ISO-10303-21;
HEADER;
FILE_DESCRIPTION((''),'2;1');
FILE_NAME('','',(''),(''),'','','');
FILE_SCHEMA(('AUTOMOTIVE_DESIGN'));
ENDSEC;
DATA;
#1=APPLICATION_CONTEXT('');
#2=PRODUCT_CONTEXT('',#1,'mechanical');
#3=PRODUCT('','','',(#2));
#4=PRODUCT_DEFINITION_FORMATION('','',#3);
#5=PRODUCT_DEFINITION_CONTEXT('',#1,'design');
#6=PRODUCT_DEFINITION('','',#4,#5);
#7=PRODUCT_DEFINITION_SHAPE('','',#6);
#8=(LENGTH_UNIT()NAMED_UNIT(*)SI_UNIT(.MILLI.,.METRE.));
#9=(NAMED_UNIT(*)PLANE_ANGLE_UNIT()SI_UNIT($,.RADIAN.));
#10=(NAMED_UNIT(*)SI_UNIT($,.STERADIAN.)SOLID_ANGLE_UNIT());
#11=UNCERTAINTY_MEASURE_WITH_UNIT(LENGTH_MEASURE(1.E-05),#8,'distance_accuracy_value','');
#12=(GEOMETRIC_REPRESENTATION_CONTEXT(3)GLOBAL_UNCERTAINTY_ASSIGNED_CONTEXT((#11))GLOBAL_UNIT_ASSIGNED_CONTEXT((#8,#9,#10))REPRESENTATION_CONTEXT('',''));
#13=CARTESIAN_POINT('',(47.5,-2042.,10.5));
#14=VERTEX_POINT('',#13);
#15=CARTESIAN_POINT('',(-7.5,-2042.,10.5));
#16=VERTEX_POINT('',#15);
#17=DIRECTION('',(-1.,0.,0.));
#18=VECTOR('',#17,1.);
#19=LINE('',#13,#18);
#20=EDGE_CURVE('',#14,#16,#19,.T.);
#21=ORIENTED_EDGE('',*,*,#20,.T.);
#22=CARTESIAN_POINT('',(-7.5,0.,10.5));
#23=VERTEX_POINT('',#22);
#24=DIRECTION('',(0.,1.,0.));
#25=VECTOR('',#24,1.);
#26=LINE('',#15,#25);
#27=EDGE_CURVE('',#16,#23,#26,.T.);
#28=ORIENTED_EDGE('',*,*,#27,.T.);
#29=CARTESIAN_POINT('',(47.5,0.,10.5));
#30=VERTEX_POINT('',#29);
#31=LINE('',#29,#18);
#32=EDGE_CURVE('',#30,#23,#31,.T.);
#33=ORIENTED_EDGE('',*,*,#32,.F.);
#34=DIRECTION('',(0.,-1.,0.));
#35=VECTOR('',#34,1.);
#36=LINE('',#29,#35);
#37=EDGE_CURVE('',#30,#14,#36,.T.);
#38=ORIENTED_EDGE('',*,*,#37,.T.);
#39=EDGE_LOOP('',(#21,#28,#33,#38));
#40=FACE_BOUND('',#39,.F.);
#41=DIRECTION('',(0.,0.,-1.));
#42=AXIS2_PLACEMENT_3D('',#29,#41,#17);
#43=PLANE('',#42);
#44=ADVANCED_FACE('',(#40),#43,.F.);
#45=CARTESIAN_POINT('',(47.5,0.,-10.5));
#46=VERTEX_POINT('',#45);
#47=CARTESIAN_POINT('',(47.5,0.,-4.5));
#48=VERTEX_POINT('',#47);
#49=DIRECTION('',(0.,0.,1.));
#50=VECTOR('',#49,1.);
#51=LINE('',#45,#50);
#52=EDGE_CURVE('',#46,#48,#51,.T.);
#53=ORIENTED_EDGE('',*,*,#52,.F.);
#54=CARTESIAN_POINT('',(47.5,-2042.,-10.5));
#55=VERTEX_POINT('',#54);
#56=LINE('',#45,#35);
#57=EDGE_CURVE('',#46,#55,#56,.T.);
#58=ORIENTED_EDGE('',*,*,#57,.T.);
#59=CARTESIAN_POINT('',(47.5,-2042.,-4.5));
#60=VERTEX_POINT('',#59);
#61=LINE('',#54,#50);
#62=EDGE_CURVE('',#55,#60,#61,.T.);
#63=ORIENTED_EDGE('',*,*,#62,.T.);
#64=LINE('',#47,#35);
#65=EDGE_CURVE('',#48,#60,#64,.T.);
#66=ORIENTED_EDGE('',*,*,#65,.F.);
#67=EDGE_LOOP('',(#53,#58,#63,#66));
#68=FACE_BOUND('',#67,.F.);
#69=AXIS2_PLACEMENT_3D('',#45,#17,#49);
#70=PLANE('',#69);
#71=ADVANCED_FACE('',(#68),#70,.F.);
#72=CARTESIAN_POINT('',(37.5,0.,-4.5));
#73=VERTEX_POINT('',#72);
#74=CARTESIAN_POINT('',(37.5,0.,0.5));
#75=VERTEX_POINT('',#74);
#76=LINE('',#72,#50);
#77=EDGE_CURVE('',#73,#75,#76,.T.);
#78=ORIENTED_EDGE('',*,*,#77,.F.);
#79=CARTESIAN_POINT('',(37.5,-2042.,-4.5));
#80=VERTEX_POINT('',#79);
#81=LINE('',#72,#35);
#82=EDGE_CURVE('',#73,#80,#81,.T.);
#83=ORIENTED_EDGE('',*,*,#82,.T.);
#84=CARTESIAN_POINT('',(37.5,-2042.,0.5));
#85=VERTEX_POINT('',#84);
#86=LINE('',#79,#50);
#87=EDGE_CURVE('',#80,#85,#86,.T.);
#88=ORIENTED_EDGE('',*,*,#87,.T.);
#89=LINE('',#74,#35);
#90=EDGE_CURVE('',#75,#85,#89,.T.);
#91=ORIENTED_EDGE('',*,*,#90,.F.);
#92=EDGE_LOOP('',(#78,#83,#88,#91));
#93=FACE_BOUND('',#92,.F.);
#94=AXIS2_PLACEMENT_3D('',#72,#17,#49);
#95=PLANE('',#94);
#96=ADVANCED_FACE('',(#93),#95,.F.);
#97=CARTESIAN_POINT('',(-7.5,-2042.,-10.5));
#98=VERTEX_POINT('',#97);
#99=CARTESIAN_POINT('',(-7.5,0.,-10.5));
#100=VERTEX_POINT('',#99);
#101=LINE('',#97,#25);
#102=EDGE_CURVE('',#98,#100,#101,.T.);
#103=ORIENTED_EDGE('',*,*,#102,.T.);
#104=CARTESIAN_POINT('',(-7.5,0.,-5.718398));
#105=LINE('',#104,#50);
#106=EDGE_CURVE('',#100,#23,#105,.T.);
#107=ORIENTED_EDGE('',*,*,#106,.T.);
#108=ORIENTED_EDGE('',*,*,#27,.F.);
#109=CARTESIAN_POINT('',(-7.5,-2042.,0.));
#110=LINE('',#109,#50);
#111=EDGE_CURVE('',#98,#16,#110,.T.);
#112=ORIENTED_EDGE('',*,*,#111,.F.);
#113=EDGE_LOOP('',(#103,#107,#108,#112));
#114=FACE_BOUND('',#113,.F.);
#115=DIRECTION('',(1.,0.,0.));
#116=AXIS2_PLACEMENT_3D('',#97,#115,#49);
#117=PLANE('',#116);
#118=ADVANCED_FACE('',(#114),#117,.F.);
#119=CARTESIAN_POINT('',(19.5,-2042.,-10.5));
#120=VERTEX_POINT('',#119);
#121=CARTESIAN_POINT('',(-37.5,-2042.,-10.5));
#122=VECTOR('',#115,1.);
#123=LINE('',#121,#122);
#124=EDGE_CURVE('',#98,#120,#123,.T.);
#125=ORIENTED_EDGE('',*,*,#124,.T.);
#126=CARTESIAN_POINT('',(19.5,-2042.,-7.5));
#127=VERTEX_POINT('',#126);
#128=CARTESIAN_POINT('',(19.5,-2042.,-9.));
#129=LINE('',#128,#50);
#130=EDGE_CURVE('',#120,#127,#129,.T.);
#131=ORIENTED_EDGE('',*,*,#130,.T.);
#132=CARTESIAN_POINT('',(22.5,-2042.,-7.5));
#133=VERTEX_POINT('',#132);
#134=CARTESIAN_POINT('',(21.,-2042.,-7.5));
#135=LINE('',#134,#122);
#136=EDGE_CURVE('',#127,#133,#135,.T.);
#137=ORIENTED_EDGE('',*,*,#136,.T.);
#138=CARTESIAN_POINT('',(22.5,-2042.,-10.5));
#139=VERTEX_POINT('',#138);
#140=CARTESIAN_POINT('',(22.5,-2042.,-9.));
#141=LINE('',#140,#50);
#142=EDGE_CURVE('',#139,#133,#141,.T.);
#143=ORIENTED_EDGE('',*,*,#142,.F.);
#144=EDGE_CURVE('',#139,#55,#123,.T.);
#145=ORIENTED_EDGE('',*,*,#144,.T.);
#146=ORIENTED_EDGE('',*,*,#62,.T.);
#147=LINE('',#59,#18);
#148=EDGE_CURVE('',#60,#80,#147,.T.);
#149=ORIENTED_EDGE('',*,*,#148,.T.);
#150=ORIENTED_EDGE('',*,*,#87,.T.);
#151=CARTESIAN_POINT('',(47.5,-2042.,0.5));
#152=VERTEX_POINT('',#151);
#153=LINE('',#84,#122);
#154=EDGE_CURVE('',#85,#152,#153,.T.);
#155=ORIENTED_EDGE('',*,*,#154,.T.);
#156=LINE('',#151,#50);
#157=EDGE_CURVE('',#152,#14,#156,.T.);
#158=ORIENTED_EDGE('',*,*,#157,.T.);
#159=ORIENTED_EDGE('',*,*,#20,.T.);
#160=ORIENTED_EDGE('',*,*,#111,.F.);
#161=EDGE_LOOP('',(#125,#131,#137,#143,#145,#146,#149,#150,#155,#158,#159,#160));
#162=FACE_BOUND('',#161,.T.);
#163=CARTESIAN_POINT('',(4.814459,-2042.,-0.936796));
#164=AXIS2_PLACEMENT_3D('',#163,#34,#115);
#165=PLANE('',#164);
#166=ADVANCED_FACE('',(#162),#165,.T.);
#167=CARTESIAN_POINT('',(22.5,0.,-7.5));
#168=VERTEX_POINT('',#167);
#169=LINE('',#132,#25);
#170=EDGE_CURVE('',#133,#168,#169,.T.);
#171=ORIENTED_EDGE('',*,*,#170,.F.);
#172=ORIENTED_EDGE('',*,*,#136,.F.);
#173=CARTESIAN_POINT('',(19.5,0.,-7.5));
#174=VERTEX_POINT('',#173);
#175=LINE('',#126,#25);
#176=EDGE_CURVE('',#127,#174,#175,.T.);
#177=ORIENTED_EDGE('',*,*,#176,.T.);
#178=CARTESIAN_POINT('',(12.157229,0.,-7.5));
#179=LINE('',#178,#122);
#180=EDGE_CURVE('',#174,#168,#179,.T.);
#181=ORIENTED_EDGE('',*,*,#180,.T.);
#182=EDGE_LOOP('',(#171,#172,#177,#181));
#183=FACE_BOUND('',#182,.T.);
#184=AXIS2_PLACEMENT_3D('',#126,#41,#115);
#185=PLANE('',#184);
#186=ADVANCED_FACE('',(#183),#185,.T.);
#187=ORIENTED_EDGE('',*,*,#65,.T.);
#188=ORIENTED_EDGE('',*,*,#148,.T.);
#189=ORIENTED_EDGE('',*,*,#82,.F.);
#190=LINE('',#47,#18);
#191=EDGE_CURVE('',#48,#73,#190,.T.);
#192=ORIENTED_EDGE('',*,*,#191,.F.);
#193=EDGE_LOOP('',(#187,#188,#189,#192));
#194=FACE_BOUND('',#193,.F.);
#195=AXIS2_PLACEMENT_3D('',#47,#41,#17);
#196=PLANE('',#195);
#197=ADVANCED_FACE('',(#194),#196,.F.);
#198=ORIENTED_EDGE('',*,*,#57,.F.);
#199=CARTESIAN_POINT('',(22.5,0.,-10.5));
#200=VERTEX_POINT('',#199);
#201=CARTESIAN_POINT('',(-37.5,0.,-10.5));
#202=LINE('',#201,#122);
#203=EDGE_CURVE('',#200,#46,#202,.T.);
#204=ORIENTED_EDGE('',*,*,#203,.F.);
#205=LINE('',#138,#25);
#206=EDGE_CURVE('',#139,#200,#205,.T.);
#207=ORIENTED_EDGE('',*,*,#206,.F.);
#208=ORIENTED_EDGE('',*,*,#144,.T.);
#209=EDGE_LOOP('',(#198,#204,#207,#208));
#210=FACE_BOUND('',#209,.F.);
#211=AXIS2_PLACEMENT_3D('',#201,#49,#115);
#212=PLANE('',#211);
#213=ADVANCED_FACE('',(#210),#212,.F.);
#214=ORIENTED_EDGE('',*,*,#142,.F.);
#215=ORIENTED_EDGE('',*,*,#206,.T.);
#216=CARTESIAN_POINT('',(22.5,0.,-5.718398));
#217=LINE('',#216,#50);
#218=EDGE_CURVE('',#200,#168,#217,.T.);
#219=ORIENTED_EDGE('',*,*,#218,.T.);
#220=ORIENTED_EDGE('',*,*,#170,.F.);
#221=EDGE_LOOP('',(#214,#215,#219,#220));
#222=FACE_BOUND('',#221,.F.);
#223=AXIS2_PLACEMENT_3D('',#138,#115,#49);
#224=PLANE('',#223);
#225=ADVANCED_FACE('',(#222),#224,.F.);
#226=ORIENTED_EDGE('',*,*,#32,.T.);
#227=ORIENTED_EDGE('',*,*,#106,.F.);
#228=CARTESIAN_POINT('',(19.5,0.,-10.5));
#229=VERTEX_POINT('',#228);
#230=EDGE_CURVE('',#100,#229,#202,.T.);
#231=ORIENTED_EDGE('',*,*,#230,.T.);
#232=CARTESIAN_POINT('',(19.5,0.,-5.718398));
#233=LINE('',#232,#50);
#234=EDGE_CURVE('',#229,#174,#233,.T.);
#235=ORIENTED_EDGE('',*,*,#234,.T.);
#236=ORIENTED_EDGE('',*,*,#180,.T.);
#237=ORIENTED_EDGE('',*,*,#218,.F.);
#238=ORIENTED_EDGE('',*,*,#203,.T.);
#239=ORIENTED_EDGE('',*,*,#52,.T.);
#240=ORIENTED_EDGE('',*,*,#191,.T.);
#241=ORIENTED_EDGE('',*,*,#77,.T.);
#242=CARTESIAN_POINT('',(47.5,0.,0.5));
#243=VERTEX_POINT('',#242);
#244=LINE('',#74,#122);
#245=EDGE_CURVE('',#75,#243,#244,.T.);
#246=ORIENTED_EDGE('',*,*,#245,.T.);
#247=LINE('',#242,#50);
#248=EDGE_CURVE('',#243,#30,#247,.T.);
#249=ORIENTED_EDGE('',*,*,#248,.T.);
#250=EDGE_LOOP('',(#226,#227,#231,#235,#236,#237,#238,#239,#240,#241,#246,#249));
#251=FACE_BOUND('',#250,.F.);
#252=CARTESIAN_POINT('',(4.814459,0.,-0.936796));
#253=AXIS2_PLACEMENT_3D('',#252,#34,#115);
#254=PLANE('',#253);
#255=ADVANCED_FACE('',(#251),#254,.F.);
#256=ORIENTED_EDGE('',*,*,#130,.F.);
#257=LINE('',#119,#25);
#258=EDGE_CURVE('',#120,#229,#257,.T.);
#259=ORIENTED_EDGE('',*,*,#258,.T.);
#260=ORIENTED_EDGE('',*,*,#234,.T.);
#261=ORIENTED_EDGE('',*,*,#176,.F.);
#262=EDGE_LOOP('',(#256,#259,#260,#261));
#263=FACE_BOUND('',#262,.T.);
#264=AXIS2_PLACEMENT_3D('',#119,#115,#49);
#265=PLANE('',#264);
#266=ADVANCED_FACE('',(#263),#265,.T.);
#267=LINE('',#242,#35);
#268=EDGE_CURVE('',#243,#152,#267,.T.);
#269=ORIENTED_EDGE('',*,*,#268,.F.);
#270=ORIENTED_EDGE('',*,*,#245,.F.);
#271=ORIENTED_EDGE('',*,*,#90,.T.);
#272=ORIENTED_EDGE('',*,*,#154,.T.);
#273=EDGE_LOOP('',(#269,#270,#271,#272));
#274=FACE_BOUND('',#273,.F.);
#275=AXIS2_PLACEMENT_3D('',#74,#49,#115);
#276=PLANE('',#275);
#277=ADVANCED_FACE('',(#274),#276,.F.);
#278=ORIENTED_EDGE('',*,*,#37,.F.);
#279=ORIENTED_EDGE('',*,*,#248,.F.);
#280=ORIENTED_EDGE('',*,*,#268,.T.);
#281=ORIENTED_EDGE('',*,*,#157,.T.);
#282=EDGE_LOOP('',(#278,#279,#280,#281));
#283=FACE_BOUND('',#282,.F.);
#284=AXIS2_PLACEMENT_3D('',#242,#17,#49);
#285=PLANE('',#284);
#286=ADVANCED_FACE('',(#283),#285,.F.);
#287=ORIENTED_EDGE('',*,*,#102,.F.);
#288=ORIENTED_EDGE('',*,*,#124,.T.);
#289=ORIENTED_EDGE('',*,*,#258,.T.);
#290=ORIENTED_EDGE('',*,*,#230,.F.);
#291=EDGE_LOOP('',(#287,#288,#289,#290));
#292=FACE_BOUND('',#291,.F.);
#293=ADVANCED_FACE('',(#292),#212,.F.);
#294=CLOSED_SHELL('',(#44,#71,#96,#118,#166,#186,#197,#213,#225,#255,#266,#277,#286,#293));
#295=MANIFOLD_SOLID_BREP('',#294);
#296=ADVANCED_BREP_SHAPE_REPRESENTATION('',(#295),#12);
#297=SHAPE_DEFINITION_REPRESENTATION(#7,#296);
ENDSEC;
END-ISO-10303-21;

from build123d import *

# Parameters (mm, degrees)
F1_DEPTH = 2042
F2_W     = 3
F2_H     = 3
F2_W_2   = 40
F2_H_2   = 21
F3_DEPTH = 2042.001


with BuildPart() as f1:
    # F0 (on Front) → F1 (new body)
    with BuildSketch(Plane.XZ):
        Polygon((47.5, 10.5), (-21.726497, 10.5), (-27.5, 0.5), (-47.5, 0.5), (-47.5, -4.5), (-37.5, -4.5), (-37.5, -10.5), (47.5, -10.5), (47.5, -4.5), (37.5, -4.5), (37.5, 0.5), (47.5, 0.5), align=None)
    extrude(amount=F1_DEPTH)

    # F2 (on face) → F3 (cut, through all)
    with BuildSketch(Plane.XZ.offset(2042)):
        with Locations((21, -9)):
            Rectangle(F2_W, F2_H)
        with Locations((-27.5, 0)):
            Rectangle(F2_W_2, F2_H_2)
    extrude(amount=-F3_DEPTH, mode=Mode.SUBTRACT)


solid = f1.part
